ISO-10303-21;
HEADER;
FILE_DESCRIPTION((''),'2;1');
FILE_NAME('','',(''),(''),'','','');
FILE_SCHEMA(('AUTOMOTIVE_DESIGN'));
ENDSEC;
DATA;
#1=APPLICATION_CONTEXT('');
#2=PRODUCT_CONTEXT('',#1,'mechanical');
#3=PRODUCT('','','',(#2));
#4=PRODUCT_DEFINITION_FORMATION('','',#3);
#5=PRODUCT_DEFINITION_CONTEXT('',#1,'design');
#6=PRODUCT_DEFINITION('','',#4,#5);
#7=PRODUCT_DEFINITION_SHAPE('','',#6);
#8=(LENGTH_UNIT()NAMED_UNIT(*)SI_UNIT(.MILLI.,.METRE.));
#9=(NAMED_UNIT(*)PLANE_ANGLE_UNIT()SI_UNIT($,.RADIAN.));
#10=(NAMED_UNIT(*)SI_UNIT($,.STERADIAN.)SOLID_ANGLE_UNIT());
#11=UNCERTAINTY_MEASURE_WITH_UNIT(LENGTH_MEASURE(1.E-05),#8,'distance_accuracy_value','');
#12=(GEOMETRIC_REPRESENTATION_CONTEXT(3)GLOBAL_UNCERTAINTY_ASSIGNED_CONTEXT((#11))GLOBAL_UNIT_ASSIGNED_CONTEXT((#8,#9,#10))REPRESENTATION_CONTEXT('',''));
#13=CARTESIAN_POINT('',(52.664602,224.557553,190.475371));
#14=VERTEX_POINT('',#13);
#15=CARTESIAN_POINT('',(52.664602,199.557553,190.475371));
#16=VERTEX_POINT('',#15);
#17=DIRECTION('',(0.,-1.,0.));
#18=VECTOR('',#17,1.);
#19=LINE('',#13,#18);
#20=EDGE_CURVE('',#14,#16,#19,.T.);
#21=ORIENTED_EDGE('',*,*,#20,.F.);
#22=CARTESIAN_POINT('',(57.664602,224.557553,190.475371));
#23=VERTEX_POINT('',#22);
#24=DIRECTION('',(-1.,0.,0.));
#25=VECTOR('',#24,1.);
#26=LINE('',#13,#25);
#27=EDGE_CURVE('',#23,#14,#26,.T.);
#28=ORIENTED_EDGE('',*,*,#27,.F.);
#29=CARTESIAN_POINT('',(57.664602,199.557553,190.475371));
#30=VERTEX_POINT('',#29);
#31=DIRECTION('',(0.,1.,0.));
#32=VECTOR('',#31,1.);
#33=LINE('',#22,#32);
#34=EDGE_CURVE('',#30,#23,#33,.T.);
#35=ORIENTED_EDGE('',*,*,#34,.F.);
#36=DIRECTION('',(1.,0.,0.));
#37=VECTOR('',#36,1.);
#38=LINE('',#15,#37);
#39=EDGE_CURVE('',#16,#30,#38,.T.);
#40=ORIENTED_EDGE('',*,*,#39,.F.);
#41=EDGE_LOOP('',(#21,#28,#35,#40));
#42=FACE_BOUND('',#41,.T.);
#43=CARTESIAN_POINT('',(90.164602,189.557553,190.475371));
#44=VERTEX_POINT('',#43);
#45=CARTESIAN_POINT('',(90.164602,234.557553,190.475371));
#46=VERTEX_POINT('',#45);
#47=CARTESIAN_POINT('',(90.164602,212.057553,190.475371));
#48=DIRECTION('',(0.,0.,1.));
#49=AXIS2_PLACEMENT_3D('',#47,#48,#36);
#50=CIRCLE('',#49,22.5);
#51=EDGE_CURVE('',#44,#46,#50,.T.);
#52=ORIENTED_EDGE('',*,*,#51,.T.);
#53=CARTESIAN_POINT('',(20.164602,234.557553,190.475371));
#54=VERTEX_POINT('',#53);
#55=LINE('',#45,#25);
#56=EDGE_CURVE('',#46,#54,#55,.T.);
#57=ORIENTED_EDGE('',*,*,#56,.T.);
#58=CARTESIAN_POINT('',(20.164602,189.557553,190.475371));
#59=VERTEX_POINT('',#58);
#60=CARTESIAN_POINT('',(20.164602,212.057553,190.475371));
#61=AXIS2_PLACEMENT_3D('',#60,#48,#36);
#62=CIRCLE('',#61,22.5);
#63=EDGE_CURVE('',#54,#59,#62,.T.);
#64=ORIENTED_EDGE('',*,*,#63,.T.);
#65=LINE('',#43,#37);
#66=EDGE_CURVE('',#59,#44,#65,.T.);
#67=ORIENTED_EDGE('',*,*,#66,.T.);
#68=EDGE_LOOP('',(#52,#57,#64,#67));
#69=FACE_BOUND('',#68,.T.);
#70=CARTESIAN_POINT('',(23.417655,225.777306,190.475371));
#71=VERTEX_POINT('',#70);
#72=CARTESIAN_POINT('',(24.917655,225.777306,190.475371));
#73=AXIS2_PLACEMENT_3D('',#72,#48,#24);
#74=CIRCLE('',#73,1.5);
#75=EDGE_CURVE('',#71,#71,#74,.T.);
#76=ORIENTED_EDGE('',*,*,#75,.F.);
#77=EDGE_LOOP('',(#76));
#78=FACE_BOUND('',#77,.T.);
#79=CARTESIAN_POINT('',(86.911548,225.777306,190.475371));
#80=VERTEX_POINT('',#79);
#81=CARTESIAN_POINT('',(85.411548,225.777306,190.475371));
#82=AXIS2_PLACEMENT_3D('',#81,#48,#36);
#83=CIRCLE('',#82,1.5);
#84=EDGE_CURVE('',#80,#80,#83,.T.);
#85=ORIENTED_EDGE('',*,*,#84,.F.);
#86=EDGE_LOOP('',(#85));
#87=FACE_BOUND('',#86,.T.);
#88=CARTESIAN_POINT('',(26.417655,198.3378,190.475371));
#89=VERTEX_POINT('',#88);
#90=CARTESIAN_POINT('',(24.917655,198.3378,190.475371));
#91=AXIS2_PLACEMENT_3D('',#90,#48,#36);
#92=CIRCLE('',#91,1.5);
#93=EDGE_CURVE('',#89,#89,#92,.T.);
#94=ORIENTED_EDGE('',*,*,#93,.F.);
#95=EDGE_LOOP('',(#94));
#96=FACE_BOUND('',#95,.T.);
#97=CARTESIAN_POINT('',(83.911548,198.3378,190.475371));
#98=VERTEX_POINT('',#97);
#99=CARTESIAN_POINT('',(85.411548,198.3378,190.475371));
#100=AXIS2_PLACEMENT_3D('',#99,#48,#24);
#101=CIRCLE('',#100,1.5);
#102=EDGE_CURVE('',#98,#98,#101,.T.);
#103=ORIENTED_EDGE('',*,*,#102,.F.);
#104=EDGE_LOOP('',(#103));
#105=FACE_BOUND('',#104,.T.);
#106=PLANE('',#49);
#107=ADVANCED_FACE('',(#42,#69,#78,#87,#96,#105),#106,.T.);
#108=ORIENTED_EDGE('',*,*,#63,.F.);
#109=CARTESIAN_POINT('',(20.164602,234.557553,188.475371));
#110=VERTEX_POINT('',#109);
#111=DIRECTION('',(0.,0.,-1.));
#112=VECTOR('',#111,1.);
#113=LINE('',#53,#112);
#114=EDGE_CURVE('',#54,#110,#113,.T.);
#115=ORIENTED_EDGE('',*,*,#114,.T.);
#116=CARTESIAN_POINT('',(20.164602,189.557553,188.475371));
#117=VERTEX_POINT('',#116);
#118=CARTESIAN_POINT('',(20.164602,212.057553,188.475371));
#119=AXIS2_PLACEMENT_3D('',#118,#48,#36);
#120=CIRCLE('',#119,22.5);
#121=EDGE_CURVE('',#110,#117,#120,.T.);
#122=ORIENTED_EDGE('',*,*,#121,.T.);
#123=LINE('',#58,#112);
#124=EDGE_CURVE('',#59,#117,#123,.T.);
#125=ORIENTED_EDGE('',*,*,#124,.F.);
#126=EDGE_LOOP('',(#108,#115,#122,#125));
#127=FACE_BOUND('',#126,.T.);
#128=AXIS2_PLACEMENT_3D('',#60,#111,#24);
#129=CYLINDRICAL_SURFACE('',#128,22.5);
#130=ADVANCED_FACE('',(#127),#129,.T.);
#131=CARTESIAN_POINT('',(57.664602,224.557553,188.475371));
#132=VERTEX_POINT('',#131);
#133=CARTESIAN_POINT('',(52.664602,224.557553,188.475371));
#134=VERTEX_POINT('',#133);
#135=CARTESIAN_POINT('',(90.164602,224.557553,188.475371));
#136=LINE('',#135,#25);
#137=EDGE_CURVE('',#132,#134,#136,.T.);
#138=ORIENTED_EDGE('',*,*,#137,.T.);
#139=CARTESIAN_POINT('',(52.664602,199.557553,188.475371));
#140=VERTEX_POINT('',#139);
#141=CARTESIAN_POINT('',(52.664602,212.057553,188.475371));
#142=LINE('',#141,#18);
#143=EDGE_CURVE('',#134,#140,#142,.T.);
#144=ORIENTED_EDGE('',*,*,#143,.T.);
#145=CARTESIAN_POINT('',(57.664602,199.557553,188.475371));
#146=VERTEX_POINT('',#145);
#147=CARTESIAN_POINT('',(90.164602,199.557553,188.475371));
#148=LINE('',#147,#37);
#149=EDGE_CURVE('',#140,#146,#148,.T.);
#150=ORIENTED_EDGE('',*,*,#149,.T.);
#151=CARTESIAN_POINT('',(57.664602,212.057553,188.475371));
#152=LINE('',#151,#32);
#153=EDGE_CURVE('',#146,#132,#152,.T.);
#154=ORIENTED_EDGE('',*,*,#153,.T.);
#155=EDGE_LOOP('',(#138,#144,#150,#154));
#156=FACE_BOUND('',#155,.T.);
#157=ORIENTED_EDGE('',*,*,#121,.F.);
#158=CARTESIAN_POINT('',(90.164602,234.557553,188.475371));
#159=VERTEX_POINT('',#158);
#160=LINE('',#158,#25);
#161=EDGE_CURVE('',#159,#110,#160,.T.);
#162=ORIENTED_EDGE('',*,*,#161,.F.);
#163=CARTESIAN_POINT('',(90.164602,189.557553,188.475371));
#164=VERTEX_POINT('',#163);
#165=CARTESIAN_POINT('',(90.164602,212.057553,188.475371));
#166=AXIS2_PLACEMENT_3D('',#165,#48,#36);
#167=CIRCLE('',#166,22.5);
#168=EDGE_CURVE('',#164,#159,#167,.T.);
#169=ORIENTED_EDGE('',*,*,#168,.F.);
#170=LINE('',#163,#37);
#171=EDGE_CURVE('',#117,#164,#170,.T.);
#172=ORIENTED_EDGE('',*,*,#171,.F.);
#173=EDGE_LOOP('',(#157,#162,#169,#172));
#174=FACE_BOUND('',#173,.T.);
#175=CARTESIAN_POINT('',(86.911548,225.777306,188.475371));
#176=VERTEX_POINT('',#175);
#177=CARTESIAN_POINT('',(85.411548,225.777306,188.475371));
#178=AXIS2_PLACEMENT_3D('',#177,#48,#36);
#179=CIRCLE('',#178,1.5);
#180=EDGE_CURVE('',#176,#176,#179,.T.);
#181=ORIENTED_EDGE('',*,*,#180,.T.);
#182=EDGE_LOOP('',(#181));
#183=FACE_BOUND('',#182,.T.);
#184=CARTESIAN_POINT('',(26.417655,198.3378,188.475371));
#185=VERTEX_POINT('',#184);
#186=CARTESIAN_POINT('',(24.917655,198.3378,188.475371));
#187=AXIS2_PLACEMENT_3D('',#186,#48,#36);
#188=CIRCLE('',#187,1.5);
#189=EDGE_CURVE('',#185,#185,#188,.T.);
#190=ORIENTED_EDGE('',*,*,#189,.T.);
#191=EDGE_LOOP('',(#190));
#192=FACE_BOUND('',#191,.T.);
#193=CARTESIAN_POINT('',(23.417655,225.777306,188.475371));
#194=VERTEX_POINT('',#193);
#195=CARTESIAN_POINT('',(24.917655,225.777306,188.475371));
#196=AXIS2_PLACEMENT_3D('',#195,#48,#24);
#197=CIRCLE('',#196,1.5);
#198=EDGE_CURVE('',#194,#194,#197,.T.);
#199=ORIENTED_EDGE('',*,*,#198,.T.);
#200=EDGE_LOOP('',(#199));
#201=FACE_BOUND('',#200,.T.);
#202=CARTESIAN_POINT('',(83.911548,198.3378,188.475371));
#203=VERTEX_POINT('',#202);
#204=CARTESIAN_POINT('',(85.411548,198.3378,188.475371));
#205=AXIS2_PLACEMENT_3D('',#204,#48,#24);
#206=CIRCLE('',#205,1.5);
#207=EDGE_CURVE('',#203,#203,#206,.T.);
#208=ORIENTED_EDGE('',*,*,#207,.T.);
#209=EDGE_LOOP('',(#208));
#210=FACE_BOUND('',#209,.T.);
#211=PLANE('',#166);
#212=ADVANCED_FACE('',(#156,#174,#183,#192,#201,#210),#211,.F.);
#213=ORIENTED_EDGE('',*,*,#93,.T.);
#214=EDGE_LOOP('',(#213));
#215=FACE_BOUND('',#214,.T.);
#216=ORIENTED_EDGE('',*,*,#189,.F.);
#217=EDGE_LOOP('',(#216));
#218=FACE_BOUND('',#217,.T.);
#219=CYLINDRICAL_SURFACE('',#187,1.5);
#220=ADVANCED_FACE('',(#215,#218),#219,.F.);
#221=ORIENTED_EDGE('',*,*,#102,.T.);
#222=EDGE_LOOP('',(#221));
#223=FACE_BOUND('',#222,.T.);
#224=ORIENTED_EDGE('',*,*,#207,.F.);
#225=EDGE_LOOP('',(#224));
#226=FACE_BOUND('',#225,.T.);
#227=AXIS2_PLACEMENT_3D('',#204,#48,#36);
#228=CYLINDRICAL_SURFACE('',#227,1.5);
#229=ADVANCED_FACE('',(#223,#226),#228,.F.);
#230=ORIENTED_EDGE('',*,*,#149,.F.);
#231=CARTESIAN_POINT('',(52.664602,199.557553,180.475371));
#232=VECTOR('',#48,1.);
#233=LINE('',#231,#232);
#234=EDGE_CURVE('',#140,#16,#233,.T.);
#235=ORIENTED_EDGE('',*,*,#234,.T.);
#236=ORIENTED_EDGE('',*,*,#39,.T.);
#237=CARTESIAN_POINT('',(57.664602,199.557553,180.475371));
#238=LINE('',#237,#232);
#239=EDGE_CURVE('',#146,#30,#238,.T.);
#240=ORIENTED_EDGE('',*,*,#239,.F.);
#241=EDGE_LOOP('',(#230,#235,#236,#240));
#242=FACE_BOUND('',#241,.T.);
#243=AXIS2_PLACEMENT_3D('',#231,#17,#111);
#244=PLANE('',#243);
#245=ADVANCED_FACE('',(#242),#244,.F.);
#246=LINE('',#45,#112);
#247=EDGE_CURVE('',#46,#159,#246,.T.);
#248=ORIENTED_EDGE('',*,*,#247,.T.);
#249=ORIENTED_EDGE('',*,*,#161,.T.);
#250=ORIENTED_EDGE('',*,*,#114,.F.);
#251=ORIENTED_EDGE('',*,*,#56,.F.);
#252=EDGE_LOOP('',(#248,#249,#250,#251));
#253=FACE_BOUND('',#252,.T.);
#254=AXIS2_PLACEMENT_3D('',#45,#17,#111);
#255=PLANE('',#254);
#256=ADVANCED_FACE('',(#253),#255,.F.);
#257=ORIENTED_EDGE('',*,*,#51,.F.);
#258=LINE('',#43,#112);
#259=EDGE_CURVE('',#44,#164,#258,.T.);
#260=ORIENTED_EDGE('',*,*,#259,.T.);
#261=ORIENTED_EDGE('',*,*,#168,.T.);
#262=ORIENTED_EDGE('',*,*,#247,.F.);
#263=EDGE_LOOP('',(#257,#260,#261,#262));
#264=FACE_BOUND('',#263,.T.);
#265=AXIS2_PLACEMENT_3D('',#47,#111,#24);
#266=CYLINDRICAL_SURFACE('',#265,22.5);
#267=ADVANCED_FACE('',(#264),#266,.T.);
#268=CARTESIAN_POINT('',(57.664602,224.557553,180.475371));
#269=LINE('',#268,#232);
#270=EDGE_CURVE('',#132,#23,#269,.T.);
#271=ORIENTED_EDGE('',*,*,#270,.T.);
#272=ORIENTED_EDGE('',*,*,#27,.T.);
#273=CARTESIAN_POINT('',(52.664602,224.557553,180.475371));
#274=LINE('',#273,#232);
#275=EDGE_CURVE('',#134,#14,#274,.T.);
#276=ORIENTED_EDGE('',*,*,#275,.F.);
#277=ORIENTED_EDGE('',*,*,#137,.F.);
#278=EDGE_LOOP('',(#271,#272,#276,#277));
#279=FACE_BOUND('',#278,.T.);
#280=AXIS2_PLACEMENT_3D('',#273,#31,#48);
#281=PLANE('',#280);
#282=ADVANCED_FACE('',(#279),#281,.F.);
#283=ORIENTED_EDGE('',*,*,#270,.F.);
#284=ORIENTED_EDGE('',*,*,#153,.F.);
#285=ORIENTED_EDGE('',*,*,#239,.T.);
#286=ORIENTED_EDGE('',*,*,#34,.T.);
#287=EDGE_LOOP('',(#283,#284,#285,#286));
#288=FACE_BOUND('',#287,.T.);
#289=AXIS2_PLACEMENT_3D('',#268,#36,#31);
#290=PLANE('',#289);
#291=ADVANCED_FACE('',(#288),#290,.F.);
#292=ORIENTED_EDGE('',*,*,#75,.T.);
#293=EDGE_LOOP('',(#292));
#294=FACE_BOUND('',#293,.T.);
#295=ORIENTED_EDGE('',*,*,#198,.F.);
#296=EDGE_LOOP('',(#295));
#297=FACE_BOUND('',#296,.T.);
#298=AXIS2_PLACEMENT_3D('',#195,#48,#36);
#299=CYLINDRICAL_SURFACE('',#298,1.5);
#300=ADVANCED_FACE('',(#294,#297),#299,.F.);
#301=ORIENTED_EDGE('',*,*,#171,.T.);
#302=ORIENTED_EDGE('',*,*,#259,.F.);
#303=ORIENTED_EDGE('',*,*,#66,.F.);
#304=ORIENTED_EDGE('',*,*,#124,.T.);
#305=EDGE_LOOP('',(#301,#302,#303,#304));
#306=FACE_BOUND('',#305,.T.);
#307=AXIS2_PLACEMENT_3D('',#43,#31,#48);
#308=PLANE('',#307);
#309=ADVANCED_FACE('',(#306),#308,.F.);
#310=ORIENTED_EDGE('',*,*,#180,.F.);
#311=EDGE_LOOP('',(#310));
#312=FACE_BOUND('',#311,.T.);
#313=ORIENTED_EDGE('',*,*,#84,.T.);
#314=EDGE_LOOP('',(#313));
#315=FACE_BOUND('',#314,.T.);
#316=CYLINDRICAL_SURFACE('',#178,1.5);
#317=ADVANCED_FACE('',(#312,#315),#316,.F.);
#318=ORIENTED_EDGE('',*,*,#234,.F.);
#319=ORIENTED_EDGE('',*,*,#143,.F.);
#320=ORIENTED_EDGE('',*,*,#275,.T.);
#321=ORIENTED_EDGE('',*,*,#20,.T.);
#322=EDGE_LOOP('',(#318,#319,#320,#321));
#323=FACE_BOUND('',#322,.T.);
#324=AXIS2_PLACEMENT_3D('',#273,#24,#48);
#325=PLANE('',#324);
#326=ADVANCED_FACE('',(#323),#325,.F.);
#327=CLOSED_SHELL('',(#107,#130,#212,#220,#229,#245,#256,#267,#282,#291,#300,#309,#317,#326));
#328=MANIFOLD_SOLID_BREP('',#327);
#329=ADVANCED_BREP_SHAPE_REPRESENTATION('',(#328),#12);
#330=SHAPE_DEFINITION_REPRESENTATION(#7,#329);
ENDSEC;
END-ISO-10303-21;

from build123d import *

# Parameters (mm, degrees)
DODANIE_WYCI_GNI_CIE1_DEPTH = 2
SZKIC2_R                    = 1.5
WYTNIJ_WYCI_GNI_CIE1_DEPTH  = 2
SZKIC4_W                    = 5
SZKIC4_H                    = 25
WYTNIJ_WYCI_GNI_CIE2_DEPTH  = 10


with BuildPart() as part:
    # Szkic1 → Dodanie-wyciągnięcie1 (new body)
    with BuildSketch(Plane.XY.offset(188.475370577)):
        with BuildLine():
            Line((90.164601585, 189.557553235), (20.164601585, 189.557553235))
            ThreePointArc((20.164601585, 189.557553235), (-2.335398415, 212.057553235), (20.164601585, 234.557553235))
            Line((20.164601585, 234.557553235), (90.164601585, 234.557553235))
            ThreePointArc((90.164601585, 234.557553235), (112.664601585, 212.057553235), (90.164601585, 189.557553235))
        make_face()
    extrude(amount=DODANIE_WYCI_GNI_CIE1_DEPTH)

    # Szkic2 → Wytnij-wyciągnięcie1 (cut)
    with BuildSketch(Plane.XY.offset(190.475370577)):
        with Locations((85.411548148, 225.777306357)):
            Circle(SZKIC2_R)
        with Locations((24.917655023, 225.777306357)):
            Circle(SZKIC2_R)
        with Locations((24.917655023, 198.337800113)):
            Circle(SZKIC2_R)
        with Locations((85.411548148, 198.337800113)):
            Circle(SZKIC2_R)
    extrude(amount=-WYTNIJ_WYCI_GNI_CIE1_DEPTH, mode=Mode.SUBTRACT)

    # Szkic4 → Wytnij-wyciągnięcie2 (cut)
    with BuildSketch(Plane.XY.offset(190.475370577)):
        with Locations((55.164601585, 212.057553235)):
            Rectangle(SZKIC4_W, SZKIC4_H)
    extrude(amount=-WYTNIJ_WYCI_GNI_CIE2_DEPTH, mode=Mode.SUBTRACT)


solid = part.part
